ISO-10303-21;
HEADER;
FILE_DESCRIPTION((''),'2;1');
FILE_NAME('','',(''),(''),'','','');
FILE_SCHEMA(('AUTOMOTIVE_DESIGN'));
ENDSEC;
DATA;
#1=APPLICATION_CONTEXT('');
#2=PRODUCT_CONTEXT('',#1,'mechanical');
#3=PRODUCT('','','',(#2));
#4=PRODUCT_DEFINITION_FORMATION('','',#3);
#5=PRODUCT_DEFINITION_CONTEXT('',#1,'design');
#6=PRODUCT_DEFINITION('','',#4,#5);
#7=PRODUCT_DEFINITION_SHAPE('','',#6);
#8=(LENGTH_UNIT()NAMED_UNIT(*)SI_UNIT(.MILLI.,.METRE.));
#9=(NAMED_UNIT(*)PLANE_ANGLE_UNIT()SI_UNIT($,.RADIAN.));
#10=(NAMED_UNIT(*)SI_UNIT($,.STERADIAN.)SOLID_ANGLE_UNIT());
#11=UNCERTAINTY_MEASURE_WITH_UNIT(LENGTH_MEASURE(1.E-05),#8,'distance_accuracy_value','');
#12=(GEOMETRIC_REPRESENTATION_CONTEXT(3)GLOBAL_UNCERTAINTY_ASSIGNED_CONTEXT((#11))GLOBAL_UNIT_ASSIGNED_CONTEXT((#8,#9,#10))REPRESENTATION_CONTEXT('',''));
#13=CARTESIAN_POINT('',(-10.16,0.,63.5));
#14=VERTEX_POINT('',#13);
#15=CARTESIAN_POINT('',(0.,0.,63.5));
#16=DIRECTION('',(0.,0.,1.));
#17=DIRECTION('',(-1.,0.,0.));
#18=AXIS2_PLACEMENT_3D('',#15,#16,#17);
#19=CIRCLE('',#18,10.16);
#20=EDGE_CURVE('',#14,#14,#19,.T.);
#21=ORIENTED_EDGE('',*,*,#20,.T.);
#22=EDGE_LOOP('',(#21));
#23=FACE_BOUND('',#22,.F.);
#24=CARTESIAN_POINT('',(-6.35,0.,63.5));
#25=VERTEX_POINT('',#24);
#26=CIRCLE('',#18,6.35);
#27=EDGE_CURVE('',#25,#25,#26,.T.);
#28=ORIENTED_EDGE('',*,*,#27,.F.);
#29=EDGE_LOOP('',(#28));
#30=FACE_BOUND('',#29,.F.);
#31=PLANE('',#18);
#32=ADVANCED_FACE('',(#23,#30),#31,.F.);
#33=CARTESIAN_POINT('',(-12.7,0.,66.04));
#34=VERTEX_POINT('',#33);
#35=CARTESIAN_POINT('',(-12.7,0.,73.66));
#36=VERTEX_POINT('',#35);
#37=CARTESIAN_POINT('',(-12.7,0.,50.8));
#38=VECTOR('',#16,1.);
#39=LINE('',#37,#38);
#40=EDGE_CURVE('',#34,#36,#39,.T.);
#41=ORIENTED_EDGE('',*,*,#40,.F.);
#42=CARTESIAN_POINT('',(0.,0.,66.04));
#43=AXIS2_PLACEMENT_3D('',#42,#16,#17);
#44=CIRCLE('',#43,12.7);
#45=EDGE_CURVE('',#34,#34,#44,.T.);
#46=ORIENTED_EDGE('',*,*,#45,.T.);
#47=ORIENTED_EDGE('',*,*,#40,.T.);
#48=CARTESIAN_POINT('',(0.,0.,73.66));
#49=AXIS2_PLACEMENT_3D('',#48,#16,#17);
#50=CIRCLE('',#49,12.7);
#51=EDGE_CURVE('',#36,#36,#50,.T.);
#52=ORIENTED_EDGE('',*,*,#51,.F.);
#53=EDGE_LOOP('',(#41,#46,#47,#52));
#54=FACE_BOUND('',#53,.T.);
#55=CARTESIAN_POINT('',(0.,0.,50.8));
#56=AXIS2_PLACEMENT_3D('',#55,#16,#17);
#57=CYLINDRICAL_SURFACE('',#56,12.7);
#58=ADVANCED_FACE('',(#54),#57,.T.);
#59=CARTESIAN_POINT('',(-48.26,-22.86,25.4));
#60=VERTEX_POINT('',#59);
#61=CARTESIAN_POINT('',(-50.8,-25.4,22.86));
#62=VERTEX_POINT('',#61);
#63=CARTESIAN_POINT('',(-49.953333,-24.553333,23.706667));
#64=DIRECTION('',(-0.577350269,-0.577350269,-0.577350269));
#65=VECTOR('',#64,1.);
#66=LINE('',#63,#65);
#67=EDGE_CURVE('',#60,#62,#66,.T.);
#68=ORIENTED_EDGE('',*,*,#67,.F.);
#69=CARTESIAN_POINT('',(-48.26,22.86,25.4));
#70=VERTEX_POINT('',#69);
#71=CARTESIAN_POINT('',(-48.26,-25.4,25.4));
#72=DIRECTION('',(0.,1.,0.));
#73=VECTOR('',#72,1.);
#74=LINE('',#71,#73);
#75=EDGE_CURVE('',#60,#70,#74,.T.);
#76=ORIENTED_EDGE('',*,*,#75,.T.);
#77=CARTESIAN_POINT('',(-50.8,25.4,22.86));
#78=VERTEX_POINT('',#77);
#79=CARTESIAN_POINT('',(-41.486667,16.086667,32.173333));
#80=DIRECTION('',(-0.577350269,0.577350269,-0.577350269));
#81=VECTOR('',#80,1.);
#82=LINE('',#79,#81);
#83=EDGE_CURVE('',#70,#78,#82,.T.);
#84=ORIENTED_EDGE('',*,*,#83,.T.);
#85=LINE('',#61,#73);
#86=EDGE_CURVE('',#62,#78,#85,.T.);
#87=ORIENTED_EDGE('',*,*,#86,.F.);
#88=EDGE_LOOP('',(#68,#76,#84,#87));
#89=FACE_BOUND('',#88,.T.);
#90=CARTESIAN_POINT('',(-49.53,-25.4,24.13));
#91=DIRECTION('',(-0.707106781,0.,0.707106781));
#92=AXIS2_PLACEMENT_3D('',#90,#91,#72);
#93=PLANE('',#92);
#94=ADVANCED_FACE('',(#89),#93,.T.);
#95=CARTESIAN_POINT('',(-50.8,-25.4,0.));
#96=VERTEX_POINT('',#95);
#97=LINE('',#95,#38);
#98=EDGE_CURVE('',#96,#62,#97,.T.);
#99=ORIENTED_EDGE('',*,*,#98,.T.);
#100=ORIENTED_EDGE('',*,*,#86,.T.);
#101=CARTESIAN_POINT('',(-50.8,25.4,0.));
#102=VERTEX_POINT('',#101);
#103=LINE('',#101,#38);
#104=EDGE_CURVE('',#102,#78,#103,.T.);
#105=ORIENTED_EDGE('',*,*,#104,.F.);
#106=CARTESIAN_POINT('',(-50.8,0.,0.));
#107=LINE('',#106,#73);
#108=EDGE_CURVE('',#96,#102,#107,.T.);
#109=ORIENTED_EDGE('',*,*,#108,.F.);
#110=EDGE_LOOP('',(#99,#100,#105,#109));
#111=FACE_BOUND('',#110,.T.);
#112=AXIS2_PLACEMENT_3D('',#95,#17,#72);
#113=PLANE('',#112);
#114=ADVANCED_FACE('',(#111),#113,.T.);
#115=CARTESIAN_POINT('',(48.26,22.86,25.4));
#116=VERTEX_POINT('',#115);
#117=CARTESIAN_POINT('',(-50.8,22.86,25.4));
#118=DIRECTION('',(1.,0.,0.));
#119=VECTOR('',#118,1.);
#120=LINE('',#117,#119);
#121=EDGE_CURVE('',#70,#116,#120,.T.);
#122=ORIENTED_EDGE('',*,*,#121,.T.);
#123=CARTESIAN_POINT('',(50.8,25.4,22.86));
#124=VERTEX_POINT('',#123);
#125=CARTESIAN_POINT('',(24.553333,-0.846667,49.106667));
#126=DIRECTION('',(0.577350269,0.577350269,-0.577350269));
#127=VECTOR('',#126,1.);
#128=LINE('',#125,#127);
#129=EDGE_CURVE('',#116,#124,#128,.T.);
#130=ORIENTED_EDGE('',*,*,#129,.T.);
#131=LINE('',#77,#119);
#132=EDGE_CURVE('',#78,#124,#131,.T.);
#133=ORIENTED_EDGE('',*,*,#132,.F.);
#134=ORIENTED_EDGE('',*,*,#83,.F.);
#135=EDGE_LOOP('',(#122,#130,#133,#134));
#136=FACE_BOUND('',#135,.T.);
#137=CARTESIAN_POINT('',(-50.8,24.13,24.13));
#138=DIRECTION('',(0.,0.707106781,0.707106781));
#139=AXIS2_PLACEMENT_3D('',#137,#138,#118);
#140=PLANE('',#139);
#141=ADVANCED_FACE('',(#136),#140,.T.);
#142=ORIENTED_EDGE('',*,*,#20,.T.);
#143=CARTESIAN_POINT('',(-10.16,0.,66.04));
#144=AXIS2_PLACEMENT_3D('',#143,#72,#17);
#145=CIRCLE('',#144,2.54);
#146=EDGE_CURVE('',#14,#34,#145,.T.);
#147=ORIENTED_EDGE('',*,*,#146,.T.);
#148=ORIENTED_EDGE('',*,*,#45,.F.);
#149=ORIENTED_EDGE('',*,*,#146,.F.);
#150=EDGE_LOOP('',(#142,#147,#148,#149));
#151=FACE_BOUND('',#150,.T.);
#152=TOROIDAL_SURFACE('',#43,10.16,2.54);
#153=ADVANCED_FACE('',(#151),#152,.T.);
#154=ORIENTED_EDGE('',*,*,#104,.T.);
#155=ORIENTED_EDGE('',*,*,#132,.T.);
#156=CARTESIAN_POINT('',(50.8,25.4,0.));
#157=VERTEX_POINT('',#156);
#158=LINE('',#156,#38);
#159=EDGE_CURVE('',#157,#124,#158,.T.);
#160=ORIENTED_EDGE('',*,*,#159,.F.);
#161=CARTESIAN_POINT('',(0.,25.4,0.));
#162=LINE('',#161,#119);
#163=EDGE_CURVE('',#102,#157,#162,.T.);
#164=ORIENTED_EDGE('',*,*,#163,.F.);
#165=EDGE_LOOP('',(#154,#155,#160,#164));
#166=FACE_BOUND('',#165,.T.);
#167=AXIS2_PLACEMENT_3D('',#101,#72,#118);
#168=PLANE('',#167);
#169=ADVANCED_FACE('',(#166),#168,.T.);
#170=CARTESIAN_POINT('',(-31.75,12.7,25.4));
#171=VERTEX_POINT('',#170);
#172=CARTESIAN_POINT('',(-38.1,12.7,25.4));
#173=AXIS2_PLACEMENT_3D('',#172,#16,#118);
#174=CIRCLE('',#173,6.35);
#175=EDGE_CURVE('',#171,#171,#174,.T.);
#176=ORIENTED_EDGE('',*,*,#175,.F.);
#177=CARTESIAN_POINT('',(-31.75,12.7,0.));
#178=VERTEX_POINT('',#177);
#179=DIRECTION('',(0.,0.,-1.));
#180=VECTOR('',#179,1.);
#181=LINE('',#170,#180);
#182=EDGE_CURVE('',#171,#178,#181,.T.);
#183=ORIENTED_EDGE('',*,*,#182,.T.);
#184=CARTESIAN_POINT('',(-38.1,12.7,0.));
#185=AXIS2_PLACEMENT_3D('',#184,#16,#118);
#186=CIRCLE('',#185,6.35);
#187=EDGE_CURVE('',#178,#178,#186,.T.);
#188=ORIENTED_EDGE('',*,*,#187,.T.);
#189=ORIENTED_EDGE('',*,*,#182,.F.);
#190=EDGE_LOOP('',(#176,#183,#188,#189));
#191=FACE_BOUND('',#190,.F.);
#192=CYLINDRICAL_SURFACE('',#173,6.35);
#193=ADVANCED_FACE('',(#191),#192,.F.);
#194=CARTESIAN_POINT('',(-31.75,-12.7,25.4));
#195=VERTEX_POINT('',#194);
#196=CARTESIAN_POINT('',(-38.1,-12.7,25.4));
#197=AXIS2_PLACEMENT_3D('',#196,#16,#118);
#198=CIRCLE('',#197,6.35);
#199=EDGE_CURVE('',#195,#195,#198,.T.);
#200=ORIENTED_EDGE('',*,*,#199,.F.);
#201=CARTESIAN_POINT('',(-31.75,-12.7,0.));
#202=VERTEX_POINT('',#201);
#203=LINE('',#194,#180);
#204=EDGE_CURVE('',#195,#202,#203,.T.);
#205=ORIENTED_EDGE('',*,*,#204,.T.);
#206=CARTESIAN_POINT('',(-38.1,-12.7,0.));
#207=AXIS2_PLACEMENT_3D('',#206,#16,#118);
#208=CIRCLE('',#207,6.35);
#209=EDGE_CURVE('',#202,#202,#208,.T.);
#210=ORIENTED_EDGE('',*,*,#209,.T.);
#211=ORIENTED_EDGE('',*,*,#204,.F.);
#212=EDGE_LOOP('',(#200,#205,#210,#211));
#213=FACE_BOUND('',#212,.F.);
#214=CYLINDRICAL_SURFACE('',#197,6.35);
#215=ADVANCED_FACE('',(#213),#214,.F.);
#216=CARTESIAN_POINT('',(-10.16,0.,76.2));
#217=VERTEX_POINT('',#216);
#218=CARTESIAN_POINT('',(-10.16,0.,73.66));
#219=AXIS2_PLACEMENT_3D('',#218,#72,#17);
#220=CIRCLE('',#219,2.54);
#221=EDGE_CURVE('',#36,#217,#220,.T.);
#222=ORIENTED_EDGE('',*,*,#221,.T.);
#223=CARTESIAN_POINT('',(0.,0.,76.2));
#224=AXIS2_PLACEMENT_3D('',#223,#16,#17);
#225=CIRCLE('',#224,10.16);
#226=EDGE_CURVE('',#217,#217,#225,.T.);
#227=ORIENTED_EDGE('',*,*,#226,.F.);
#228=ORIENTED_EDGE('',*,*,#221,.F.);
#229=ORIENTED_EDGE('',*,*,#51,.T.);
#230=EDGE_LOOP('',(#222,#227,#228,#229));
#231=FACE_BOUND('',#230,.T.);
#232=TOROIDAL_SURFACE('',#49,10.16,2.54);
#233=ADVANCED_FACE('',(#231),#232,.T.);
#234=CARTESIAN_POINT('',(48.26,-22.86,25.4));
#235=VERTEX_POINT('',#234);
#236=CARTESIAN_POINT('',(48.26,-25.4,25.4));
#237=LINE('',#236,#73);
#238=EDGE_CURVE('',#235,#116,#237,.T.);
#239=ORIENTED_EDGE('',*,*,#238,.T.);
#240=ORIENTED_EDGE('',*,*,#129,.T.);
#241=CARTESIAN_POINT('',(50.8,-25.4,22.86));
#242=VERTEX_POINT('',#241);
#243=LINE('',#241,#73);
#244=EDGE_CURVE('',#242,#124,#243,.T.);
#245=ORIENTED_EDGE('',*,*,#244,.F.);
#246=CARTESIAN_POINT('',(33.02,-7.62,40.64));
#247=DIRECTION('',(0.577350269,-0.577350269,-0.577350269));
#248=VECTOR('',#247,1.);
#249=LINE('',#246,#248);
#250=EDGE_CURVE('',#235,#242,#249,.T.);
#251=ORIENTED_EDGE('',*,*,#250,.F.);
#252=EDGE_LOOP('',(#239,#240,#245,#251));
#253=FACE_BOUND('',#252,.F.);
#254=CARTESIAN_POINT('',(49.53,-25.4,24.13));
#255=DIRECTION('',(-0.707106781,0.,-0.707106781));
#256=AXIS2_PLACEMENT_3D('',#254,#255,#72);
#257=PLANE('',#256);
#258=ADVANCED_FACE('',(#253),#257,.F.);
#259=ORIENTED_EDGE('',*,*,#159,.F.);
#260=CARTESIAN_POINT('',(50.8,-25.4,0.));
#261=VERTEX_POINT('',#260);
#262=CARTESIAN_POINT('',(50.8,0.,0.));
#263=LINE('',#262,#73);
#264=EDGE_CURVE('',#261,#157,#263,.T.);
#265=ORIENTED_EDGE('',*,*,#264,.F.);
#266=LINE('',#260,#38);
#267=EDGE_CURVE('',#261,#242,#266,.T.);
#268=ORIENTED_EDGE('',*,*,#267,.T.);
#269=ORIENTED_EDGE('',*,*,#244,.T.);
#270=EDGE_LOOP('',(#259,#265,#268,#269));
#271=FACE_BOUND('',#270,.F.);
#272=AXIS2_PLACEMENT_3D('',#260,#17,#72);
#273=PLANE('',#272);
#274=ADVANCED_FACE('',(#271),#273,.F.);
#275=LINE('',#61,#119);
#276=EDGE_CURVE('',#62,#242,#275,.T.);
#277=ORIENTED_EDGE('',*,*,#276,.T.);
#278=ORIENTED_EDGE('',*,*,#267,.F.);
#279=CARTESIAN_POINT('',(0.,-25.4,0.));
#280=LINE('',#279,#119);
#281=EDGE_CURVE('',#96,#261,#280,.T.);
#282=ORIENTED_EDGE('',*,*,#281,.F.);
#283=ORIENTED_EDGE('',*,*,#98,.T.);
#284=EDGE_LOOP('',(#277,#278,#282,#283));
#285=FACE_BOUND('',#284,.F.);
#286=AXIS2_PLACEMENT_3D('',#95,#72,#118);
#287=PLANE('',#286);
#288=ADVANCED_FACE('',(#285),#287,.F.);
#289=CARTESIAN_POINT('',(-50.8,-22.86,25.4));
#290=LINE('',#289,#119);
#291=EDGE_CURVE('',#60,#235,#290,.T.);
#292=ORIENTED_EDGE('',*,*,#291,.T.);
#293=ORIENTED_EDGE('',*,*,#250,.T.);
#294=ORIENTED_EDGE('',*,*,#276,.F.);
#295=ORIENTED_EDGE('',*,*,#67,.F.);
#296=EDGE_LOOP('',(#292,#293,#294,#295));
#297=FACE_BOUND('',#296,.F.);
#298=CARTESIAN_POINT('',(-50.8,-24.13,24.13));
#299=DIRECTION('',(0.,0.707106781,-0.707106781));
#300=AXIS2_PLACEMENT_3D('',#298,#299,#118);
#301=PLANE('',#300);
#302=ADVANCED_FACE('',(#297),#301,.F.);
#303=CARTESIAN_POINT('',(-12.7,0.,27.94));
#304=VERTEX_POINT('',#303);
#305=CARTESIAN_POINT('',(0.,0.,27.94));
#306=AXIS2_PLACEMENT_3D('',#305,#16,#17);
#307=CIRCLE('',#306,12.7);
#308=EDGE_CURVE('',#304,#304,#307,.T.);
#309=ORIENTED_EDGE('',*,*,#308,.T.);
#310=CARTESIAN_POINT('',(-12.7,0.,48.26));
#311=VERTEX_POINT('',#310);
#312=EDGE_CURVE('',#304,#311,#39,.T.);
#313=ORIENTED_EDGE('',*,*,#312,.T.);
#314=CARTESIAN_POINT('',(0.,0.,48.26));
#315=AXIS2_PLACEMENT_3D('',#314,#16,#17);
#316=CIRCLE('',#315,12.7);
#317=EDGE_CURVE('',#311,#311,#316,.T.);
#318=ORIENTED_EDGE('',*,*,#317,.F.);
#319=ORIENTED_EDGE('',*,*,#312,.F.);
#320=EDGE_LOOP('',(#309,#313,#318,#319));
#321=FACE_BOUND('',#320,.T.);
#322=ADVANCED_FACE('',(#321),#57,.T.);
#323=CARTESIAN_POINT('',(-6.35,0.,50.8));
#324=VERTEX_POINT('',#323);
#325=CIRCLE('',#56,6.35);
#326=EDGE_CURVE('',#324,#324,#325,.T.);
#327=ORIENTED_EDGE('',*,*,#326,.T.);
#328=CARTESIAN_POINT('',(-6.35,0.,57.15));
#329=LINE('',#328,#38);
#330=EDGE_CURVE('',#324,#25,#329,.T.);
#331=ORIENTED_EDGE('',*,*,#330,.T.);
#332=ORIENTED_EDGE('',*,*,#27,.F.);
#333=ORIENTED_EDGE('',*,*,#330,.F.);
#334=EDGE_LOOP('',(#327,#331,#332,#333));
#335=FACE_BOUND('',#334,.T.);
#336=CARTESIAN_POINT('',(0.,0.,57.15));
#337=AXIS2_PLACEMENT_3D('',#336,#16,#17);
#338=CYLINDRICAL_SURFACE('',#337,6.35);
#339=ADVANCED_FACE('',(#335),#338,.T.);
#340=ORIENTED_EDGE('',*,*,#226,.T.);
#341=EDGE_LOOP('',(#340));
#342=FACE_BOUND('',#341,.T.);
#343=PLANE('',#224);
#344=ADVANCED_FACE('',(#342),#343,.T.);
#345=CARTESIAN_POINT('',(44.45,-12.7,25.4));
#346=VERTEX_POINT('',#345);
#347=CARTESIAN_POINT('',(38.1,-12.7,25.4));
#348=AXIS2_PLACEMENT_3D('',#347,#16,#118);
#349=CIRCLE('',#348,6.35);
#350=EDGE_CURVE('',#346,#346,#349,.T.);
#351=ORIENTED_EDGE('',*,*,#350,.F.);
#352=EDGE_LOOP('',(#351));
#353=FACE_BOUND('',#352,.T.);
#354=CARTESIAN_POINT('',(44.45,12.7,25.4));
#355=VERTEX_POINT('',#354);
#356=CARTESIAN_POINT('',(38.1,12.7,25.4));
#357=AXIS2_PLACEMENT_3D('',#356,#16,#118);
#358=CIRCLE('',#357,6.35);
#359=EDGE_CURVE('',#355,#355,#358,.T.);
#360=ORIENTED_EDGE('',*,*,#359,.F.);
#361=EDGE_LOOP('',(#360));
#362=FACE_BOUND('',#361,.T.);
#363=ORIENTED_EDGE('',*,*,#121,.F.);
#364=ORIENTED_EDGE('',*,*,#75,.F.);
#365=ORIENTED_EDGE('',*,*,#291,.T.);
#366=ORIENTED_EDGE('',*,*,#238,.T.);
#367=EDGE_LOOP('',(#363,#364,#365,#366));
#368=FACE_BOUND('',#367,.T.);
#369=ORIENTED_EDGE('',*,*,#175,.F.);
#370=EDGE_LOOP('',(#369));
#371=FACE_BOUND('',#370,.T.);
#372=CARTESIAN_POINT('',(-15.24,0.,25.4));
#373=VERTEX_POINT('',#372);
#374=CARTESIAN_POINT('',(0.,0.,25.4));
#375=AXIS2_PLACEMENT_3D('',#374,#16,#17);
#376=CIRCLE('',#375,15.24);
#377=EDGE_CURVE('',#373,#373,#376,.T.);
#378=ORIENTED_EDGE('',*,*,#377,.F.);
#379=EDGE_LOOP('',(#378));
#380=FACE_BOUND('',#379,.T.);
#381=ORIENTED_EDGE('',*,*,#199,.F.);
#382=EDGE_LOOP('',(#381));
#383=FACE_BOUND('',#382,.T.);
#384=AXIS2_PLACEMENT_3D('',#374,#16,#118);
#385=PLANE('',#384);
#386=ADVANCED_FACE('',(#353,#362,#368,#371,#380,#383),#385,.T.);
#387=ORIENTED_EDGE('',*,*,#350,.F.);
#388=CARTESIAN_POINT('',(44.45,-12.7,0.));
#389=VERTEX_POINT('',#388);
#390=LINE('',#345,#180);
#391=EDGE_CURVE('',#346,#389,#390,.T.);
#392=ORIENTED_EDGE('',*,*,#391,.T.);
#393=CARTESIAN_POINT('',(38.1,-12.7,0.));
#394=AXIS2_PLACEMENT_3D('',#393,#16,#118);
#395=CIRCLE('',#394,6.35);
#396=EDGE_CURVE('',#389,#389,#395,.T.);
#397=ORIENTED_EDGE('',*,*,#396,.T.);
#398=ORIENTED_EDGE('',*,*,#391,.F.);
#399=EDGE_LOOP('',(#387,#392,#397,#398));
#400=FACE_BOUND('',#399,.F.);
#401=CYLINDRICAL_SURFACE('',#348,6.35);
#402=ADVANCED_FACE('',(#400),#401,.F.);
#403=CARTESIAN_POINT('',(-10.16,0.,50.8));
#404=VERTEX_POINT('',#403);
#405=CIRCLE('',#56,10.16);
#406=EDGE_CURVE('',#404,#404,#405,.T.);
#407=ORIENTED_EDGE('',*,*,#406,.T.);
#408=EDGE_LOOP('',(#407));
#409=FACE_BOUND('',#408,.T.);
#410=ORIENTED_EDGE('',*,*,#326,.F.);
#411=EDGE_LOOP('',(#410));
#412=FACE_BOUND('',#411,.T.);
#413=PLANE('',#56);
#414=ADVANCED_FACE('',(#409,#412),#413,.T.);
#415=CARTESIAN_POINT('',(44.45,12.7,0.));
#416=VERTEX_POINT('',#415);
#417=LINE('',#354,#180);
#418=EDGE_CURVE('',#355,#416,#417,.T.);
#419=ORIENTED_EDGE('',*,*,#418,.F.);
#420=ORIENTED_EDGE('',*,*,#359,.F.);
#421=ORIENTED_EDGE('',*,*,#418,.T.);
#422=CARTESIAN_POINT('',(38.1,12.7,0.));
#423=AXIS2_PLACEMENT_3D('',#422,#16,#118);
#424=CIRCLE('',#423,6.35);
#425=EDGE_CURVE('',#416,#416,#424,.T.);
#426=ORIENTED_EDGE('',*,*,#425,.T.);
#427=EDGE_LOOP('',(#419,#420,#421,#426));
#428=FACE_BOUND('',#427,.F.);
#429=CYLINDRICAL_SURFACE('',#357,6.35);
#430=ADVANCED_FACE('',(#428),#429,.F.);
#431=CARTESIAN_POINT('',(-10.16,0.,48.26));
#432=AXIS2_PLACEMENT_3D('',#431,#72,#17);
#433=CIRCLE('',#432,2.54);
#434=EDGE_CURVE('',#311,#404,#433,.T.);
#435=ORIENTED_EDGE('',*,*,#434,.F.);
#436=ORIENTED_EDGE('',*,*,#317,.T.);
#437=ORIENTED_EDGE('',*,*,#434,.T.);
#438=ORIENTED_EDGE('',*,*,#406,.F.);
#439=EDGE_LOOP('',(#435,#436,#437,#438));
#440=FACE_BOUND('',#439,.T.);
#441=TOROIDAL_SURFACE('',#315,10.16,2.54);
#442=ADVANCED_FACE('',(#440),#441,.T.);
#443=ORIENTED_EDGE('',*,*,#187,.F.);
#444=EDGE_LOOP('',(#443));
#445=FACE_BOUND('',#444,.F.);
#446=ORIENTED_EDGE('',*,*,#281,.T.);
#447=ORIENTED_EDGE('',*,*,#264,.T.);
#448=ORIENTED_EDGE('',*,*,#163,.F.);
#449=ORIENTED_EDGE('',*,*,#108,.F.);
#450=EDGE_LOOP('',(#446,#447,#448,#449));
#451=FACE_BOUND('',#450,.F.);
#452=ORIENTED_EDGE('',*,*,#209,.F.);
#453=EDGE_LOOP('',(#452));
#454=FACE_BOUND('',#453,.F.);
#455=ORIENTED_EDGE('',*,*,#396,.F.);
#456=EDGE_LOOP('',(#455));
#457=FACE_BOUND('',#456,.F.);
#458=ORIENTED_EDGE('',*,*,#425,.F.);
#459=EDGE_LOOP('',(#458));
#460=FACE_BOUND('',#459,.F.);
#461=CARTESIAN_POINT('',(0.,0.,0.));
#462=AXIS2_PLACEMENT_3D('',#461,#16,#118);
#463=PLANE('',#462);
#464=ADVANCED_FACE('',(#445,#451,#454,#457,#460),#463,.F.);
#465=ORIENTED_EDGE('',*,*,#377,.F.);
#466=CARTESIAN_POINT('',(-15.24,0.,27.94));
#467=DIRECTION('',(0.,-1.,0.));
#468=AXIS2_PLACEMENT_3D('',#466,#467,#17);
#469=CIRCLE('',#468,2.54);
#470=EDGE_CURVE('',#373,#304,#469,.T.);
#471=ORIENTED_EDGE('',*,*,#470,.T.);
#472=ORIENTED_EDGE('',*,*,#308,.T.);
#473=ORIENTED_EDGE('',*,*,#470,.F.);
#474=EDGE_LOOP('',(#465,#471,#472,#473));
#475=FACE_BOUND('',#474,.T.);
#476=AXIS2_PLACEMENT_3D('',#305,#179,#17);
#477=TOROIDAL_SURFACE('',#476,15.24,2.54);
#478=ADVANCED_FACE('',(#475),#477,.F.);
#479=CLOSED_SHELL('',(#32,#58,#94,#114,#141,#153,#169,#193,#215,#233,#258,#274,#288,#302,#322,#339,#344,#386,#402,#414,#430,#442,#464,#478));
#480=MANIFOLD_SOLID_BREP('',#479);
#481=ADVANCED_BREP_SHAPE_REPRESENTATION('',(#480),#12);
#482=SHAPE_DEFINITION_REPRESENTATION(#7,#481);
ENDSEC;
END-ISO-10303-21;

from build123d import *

# Parameters (mm, degrees)
F0_W     = 101.6
F0_H     = 50.8
F1_DEPTH = 25.4
F2_R     = 6.35
F3_DEPTH = 25.401
F4_W     = 12.7
F4_H     = 50.8
F6_W     = 12.7
F6_H     = 12.7
F8_R     = 2.54
F9_SIZE  = 2.54


with BuildPart() as f1:
    # F0 (on Top) → F1 (new body)
    with BuildSketch(Plane.XY):
        Rectangle(F0_W, F0_H)
    extrude(amount=F1_DEPTH)

    # F2 (on face) → F3 (cut, through all)
    with BuildSketch(Plane.XY.offset(25.4)):
        with Locations((38.1, 12.7)):
            Circle(F2_R)
        with Locations((-38.1, 12.7)):
            Circle(F2_R)
        with Locations((-38.1, -12.7)):
            Circle(F2_R)
        with Locations((38.1, -12.7)):
            Circle(F2_R)
    extrude(amount=-F3_DEPTH, mode=Mode.SUBTRACT)

    # F4 (on Front) → F5 (revolve)
    with BuildSketch(Plane.XZ):
        with Locations((-6.35, 50.8)):
            Rectangle(F4_W, F4_H)
    revolve(axis=Axis((0, 0, 50.8), (0, 0, 1)))

    # F6 (on Front) → F7 (revolve, cut)
    with BuildSketch(Plane.XZ):
        with Locations((-12.7, 57.15)):
            Rectangle(F6_W, F6_H)
    revolve(axis=Axis((0, 0, 40.8585630357), (0, 0, 1)), mode=Mode.SUBTRACT)

    # F8
    f8_edges = [f1.edges().sort_by_distance(p)[0] for p in [
        (12.7, 0, 50.8),
        (12.7, 0, 63.5),
        (12.7, 0, 25.4),
        (12.7, 0, 76.2),
    ]]
    fillet(f8_edges, radius=F8_R)

    # F9
    f9_edges = [f1.edges().sort_by_distance(p)[0] for p in [
        (-50.8, 0, 25.4),
        (0, -25.4, 25.4),
        (0, 25.4, 25.4),
        (50.8, 0, 25.4),
    ]]
    chamfer(f9_edges, length=F9_SIZE)


solid = f1.part
